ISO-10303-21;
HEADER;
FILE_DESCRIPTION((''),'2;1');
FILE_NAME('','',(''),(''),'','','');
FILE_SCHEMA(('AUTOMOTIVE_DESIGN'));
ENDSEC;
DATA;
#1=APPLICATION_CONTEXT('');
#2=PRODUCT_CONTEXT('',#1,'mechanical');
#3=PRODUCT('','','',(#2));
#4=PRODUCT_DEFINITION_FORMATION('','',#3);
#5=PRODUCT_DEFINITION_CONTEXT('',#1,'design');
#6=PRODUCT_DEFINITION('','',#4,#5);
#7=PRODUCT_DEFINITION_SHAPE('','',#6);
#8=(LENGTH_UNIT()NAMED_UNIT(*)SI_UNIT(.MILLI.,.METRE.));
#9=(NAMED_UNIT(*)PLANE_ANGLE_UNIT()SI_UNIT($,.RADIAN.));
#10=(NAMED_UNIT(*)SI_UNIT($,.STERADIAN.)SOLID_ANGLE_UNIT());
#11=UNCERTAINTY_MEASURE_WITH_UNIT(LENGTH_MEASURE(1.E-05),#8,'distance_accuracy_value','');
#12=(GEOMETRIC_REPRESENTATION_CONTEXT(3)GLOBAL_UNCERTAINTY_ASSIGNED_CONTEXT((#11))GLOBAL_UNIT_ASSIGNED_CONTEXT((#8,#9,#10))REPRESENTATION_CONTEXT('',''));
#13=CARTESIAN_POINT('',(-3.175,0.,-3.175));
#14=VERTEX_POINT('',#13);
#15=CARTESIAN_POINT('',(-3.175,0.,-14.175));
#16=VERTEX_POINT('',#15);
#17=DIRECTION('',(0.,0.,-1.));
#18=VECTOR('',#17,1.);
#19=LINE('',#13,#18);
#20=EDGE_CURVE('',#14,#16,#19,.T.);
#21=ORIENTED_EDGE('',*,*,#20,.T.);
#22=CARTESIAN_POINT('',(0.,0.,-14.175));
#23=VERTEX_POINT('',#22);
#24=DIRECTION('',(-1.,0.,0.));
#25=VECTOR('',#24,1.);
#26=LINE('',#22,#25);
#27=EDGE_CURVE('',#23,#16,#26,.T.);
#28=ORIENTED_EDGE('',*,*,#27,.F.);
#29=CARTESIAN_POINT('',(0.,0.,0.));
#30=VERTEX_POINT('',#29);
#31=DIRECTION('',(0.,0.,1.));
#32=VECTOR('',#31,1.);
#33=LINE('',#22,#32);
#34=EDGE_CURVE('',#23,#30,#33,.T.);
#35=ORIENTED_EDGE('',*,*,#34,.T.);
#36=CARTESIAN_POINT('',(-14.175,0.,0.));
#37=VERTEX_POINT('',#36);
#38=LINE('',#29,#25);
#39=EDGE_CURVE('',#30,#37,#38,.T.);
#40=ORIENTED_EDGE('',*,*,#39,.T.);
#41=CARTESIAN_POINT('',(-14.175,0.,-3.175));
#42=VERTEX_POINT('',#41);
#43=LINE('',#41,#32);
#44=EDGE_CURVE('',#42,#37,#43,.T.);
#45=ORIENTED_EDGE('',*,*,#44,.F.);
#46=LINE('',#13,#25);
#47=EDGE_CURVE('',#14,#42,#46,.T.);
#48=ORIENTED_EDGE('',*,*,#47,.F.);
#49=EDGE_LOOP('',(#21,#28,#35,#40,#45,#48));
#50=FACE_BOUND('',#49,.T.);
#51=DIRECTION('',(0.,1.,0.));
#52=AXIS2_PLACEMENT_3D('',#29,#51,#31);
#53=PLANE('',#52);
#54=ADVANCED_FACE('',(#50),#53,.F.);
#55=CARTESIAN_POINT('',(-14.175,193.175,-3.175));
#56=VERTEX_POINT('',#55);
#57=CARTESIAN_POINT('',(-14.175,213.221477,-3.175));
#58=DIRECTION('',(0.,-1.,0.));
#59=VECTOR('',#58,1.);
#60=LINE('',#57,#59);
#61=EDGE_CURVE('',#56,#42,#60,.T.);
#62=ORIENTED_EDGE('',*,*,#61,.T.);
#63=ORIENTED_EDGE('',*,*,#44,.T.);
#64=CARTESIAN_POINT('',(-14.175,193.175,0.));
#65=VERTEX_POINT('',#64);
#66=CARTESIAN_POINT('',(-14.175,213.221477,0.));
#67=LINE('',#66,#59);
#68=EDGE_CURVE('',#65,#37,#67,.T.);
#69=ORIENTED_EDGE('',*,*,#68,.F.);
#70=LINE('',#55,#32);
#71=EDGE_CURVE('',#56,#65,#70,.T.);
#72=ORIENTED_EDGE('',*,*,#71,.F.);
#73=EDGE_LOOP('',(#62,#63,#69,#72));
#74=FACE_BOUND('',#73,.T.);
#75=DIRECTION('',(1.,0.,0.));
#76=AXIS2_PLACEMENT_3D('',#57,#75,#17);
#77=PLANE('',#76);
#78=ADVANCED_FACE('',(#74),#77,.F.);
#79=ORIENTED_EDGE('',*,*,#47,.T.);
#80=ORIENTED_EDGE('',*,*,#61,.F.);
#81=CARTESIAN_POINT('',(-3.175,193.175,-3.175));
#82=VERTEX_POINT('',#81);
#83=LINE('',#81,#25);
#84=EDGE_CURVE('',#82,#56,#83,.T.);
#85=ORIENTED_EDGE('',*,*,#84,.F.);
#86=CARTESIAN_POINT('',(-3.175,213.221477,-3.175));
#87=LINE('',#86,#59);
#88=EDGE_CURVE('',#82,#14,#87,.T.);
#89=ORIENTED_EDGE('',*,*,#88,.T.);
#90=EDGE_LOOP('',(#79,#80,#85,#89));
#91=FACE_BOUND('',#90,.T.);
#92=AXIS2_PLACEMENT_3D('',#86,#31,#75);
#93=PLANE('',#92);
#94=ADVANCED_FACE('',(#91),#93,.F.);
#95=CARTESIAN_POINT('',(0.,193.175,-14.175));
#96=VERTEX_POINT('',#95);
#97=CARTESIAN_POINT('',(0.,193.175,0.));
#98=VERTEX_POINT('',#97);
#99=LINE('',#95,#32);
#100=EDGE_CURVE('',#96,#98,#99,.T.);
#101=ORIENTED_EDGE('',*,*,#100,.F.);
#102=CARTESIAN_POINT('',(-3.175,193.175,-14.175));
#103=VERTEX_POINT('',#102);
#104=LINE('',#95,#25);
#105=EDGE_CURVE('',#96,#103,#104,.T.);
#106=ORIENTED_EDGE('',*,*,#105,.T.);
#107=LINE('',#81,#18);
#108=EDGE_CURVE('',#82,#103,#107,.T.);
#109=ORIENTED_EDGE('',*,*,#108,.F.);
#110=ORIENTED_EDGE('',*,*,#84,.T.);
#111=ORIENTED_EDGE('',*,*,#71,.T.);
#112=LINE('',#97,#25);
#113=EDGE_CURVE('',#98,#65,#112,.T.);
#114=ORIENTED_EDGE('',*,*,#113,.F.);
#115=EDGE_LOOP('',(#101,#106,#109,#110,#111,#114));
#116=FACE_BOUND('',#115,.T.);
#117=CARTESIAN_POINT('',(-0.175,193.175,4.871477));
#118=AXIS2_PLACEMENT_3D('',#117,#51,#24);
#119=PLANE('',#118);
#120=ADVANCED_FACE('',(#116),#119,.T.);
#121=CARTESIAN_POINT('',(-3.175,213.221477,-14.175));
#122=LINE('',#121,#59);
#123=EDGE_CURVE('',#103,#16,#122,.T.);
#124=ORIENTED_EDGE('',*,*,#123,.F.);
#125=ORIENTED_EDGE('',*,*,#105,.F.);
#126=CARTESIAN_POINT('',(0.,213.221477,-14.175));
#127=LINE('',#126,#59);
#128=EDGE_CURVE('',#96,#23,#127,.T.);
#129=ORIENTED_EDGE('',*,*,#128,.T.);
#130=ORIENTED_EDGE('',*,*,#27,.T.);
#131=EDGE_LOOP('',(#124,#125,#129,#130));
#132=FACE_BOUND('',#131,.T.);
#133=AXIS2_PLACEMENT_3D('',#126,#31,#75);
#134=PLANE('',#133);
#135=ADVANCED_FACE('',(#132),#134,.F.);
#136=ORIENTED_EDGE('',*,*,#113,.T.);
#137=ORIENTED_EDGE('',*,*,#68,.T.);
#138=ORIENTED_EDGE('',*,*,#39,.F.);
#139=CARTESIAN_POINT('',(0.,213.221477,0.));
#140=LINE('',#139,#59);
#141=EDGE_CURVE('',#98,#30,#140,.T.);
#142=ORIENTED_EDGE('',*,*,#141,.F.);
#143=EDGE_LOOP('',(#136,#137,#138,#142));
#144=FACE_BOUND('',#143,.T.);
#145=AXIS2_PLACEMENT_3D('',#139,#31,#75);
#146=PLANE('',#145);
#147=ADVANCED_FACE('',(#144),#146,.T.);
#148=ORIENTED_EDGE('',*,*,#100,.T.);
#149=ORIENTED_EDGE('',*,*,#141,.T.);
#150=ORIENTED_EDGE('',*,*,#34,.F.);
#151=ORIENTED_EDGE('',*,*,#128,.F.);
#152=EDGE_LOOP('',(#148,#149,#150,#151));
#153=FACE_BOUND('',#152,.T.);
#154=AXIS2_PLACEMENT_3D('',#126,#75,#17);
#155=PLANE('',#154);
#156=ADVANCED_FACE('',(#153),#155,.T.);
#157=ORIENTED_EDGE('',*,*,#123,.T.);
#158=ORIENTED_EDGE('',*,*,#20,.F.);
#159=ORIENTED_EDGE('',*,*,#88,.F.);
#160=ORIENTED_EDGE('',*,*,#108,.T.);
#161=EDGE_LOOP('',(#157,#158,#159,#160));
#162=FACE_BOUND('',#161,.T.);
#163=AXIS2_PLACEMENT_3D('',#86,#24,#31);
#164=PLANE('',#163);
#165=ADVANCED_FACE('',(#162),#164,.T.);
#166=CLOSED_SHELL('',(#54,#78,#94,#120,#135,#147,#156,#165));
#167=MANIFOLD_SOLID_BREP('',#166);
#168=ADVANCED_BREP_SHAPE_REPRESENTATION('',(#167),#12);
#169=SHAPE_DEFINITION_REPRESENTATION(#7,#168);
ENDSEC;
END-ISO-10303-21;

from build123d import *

# Parameters (mm, degrees)
BOSS_EXTRUDE1_DEPTH = 193.175


with BuildPart() as part:
    # Sketch1 → Boss-Extrude1 (new body)
    with BuildSketch(Plane(origin=(0, 0, 0), x_dir=(1, 0, 0), z_dir=(0, 1, 0))):
        Polygon((-3.175, 3.175), (-14.175, 3.175), (-14.175, 0), (0, 0), (0, 14.175), (-3.175, 14.175), align=None)
    extrude(amount=BOSS_EXTRUDE1_DEPTH)


solid = part.part
